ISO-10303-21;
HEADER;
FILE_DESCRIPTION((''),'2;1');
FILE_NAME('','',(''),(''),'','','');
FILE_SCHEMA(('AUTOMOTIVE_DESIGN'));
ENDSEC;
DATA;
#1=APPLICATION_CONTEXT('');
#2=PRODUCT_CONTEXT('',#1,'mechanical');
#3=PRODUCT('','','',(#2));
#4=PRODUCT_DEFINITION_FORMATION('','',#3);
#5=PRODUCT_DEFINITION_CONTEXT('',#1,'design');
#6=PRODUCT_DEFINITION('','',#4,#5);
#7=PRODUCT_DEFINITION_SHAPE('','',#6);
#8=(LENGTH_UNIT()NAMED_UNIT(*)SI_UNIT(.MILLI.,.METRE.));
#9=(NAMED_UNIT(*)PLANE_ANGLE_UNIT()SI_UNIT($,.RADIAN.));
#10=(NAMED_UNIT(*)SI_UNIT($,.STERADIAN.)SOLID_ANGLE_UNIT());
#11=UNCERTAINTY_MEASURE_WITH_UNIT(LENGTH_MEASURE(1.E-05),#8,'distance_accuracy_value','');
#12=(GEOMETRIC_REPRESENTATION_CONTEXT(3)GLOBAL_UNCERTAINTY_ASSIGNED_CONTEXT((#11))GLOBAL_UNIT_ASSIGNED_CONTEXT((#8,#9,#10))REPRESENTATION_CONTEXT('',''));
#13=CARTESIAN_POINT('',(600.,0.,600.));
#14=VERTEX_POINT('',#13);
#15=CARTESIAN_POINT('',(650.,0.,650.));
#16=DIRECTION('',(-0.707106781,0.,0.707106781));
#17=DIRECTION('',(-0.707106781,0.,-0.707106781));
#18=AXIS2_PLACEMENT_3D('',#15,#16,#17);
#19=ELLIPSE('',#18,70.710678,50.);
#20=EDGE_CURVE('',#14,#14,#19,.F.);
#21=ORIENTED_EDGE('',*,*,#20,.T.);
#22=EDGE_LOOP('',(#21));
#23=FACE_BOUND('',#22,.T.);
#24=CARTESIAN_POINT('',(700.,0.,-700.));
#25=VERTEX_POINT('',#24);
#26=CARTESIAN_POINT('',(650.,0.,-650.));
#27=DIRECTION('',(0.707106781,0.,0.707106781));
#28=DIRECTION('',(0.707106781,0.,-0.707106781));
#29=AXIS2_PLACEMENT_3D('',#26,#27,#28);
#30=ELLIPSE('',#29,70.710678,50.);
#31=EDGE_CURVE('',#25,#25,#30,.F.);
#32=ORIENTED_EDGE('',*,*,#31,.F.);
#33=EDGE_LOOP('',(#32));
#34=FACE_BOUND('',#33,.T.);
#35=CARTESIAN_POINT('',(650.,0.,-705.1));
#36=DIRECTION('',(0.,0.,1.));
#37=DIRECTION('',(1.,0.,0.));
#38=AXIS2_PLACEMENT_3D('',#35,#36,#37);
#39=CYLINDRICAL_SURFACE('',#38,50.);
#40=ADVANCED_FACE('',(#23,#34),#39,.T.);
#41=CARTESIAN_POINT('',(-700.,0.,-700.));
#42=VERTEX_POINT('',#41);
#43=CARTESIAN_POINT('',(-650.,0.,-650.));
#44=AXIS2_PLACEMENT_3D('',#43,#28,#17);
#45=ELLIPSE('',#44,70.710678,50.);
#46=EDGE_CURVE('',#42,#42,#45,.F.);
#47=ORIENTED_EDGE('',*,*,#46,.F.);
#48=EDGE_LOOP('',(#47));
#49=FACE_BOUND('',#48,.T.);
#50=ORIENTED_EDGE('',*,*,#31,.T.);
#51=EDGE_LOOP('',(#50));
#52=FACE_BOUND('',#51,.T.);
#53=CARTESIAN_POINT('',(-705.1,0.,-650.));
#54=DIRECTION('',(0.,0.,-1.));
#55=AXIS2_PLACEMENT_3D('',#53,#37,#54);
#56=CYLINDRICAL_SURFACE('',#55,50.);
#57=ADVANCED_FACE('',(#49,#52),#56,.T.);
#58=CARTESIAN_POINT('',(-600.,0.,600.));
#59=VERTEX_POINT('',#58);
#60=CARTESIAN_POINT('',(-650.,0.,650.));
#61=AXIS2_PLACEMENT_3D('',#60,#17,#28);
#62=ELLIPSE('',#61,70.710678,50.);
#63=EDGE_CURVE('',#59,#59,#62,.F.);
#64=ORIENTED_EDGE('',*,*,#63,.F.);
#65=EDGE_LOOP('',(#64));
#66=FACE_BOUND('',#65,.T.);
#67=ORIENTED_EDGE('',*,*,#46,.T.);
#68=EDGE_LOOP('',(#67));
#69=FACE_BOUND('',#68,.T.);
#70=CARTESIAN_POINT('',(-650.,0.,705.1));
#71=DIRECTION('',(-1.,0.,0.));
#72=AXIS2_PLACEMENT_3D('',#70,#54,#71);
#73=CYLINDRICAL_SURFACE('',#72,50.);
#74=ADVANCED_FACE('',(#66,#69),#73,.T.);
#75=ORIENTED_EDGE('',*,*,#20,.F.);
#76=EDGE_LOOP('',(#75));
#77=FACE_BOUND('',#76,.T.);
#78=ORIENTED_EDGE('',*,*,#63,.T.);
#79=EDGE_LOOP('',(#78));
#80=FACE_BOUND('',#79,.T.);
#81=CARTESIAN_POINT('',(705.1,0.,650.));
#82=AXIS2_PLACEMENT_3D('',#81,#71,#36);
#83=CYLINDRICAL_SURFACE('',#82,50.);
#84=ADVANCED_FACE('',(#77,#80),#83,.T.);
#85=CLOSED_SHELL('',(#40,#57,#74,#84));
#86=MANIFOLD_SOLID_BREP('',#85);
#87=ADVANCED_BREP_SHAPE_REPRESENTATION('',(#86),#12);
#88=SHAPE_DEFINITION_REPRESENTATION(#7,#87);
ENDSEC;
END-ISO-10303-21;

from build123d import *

# Parameters (mm, degrees)
SWEEP1_PROFILE_R = 50


with BuildPart() as part:
    # Sweep1: sweep along a path in Sketch1
    with BuildLine(Plane(origin=(0, 0, 0), x_dir=(1, 0, 0), z_dir=(0, 1, 0))) as sweep1_path:
        Line((-650, 650), (650, 650))
        Line((650, 650), (650, -650))
        Line((650, -650), (-650, -650))
        Line((-650, -650), (-650, 650))
    # Sweep1 profile (on start of the path) → Sweep1 (sweep)
    with BuildSketch(Plane(origin=(-650, 0, -650), x_dir=(0, 0, 1), z_dir=(1, 0, 0))):
        Circle(SWEEP1_PROFILE_R)
    sweep(path=sweep1_path.line, transition=Transition.RIGHT)


solid = part.part
